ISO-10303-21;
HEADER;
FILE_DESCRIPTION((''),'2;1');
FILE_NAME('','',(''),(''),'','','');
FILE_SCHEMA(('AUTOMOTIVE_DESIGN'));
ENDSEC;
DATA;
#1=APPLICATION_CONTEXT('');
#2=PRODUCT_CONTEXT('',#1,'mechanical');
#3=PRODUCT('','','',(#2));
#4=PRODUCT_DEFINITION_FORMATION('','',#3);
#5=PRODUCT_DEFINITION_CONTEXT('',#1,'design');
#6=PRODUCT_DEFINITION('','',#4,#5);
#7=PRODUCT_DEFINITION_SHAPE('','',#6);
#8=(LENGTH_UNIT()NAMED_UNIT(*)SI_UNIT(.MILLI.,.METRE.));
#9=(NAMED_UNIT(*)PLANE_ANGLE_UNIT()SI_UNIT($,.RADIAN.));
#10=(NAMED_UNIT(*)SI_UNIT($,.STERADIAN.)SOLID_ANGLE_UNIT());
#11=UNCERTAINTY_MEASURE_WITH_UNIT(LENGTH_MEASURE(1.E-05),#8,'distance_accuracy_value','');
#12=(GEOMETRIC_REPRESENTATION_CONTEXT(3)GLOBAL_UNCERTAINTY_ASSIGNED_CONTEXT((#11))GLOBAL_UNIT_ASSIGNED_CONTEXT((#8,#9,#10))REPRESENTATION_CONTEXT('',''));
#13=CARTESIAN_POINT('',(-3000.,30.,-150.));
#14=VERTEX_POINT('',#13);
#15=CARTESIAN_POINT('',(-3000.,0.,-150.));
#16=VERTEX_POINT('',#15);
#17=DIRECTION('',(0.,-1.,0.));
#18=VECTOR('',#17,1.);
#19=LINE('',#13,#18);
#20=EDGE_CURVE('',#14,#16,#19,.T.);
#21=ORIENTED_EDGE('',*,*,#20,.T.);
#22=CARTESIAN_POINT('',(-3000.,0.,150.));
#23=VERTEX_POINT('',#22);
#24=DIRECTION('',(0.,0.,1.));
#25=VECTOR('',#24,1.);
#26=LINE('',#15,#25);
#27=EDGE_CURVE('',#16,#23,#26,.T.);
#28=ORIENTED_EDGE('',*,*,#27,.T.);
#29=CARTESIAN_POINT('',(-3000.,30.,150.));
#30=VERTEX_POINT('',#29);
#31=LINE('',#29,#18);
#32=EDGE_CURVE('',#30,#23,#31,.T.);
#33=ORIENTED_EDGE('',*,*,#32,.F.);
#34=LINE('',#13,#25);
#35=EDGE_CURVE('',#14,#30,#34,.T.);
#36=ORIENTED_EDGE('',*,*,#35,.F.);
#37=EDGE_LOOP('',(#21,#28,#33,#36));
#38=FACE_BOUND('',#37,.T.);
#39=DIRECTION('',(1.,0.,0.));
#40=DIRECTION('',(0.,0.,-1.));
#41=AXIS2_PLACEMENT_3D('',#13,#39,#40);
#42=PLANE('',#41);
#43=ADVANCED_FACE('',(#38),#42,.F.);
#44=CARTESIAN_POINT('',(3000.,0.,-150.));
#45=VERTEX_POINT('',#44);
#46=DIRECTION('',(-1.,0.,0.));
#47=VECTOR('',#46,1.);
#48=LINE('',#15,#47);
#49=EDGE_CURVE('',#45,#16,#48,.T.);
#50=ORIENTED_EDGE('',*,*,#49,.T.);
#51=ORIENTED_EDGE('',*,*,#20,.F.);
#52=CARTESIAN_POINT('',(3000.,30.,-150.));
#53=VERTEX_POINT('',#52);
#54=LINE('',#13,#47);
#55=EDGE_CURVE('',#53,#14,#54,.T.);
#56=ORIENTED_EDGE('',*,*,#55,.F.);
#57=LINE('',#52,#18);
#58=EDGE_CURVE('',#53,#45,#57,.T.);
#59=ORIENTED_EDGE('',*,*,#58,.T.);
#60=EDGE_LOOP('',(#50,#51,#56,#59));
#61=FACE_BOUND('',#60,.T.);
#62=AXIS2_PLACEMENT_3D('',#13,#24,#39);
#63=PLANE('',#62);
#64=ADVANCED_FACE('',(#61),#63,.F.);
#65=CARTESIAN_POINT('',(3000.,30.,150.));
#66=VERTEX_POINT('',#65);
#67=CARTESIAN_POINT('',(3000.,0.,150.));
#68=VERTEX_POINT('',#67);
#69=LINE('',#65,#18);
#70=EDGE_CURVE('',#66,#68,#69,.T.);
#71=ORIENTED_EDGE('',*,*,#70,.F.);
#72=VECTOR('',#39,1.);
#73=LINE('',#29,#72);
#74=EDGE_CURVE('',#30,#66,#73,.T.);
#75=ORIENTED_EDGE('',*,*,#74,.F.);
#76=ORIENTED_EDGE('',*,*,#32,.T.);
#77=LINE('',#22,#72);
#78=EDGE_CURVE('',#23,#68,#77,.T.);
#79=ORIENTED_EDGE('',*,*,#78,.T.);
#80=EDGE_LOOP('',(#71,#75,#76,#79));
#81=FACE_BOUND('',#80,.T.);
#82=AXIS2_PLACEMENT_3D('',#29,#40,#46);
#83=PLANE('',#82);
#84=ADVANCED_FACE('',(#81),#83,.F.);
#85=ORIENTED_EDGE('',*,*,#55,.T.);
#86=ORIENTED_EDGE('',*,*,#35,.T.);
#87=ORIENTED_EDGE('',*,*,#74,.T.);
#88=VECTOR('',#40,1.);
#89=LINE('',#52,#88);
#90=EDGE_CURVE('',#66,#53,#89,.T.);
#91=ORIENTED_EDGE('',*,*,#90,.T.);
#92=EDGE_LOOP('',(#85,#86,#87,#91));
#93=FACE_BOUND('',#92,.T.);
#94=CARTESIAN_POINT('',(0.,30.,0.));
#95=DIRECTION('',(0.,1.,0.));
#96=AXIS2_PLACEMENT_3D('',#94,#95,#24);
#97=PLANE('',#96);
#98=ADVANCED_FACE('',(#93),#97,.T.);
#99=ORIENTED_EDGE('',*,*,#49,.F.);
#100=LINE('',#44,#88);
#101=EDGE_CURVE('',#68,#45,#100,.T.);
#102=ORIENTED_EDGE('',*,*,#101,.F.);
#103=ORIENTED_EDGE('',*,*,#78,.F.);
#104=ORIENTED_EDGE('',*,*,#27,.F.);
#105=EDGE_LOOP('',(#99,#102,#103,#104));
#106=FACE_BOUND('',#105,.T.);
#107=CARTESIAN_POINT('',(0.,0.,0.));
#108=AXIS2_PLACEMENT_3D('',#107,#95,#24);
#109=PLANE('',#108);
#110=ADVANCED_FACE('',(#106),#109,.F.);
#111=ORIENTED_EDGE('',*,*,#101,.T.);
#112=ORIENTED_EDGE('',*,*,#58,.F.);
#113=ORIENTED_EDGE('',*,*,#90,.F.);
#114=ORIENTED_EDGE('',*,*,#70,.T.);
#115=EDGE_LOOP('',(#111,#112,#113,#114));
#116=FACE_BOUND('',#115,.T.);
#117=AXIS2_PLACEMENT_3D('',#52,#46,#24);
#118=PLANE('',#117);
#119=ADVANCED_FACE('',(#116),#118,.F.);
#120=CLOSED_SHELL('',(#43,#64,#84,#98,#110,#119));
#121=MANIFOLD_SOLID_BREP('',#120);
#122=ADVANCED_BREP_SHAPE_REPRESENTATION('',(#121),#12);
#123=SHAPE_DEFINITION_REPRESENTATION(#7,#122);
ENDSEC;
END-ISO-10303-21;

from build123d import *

# Parameters (mm, degrees)
SKETCH1_W           = 6000
SKETCH1_H           = 300
BOSS_EXTRUDE1_DEPTH = 30


with BuildPart() as part:
    # Sketch1 → Boss-Extrude1 (new body)
    with BuildSketch(Plane(origin=(0, 0, 0), x_dir=(1, 0, 0), z_dir=(0, 1, 0))):
        Rectangle(SKETCH1_W, SKETCH1_H)
    extrude(amount=BOSS_EXTRUDE1_DEPTH)


solid = part.part
